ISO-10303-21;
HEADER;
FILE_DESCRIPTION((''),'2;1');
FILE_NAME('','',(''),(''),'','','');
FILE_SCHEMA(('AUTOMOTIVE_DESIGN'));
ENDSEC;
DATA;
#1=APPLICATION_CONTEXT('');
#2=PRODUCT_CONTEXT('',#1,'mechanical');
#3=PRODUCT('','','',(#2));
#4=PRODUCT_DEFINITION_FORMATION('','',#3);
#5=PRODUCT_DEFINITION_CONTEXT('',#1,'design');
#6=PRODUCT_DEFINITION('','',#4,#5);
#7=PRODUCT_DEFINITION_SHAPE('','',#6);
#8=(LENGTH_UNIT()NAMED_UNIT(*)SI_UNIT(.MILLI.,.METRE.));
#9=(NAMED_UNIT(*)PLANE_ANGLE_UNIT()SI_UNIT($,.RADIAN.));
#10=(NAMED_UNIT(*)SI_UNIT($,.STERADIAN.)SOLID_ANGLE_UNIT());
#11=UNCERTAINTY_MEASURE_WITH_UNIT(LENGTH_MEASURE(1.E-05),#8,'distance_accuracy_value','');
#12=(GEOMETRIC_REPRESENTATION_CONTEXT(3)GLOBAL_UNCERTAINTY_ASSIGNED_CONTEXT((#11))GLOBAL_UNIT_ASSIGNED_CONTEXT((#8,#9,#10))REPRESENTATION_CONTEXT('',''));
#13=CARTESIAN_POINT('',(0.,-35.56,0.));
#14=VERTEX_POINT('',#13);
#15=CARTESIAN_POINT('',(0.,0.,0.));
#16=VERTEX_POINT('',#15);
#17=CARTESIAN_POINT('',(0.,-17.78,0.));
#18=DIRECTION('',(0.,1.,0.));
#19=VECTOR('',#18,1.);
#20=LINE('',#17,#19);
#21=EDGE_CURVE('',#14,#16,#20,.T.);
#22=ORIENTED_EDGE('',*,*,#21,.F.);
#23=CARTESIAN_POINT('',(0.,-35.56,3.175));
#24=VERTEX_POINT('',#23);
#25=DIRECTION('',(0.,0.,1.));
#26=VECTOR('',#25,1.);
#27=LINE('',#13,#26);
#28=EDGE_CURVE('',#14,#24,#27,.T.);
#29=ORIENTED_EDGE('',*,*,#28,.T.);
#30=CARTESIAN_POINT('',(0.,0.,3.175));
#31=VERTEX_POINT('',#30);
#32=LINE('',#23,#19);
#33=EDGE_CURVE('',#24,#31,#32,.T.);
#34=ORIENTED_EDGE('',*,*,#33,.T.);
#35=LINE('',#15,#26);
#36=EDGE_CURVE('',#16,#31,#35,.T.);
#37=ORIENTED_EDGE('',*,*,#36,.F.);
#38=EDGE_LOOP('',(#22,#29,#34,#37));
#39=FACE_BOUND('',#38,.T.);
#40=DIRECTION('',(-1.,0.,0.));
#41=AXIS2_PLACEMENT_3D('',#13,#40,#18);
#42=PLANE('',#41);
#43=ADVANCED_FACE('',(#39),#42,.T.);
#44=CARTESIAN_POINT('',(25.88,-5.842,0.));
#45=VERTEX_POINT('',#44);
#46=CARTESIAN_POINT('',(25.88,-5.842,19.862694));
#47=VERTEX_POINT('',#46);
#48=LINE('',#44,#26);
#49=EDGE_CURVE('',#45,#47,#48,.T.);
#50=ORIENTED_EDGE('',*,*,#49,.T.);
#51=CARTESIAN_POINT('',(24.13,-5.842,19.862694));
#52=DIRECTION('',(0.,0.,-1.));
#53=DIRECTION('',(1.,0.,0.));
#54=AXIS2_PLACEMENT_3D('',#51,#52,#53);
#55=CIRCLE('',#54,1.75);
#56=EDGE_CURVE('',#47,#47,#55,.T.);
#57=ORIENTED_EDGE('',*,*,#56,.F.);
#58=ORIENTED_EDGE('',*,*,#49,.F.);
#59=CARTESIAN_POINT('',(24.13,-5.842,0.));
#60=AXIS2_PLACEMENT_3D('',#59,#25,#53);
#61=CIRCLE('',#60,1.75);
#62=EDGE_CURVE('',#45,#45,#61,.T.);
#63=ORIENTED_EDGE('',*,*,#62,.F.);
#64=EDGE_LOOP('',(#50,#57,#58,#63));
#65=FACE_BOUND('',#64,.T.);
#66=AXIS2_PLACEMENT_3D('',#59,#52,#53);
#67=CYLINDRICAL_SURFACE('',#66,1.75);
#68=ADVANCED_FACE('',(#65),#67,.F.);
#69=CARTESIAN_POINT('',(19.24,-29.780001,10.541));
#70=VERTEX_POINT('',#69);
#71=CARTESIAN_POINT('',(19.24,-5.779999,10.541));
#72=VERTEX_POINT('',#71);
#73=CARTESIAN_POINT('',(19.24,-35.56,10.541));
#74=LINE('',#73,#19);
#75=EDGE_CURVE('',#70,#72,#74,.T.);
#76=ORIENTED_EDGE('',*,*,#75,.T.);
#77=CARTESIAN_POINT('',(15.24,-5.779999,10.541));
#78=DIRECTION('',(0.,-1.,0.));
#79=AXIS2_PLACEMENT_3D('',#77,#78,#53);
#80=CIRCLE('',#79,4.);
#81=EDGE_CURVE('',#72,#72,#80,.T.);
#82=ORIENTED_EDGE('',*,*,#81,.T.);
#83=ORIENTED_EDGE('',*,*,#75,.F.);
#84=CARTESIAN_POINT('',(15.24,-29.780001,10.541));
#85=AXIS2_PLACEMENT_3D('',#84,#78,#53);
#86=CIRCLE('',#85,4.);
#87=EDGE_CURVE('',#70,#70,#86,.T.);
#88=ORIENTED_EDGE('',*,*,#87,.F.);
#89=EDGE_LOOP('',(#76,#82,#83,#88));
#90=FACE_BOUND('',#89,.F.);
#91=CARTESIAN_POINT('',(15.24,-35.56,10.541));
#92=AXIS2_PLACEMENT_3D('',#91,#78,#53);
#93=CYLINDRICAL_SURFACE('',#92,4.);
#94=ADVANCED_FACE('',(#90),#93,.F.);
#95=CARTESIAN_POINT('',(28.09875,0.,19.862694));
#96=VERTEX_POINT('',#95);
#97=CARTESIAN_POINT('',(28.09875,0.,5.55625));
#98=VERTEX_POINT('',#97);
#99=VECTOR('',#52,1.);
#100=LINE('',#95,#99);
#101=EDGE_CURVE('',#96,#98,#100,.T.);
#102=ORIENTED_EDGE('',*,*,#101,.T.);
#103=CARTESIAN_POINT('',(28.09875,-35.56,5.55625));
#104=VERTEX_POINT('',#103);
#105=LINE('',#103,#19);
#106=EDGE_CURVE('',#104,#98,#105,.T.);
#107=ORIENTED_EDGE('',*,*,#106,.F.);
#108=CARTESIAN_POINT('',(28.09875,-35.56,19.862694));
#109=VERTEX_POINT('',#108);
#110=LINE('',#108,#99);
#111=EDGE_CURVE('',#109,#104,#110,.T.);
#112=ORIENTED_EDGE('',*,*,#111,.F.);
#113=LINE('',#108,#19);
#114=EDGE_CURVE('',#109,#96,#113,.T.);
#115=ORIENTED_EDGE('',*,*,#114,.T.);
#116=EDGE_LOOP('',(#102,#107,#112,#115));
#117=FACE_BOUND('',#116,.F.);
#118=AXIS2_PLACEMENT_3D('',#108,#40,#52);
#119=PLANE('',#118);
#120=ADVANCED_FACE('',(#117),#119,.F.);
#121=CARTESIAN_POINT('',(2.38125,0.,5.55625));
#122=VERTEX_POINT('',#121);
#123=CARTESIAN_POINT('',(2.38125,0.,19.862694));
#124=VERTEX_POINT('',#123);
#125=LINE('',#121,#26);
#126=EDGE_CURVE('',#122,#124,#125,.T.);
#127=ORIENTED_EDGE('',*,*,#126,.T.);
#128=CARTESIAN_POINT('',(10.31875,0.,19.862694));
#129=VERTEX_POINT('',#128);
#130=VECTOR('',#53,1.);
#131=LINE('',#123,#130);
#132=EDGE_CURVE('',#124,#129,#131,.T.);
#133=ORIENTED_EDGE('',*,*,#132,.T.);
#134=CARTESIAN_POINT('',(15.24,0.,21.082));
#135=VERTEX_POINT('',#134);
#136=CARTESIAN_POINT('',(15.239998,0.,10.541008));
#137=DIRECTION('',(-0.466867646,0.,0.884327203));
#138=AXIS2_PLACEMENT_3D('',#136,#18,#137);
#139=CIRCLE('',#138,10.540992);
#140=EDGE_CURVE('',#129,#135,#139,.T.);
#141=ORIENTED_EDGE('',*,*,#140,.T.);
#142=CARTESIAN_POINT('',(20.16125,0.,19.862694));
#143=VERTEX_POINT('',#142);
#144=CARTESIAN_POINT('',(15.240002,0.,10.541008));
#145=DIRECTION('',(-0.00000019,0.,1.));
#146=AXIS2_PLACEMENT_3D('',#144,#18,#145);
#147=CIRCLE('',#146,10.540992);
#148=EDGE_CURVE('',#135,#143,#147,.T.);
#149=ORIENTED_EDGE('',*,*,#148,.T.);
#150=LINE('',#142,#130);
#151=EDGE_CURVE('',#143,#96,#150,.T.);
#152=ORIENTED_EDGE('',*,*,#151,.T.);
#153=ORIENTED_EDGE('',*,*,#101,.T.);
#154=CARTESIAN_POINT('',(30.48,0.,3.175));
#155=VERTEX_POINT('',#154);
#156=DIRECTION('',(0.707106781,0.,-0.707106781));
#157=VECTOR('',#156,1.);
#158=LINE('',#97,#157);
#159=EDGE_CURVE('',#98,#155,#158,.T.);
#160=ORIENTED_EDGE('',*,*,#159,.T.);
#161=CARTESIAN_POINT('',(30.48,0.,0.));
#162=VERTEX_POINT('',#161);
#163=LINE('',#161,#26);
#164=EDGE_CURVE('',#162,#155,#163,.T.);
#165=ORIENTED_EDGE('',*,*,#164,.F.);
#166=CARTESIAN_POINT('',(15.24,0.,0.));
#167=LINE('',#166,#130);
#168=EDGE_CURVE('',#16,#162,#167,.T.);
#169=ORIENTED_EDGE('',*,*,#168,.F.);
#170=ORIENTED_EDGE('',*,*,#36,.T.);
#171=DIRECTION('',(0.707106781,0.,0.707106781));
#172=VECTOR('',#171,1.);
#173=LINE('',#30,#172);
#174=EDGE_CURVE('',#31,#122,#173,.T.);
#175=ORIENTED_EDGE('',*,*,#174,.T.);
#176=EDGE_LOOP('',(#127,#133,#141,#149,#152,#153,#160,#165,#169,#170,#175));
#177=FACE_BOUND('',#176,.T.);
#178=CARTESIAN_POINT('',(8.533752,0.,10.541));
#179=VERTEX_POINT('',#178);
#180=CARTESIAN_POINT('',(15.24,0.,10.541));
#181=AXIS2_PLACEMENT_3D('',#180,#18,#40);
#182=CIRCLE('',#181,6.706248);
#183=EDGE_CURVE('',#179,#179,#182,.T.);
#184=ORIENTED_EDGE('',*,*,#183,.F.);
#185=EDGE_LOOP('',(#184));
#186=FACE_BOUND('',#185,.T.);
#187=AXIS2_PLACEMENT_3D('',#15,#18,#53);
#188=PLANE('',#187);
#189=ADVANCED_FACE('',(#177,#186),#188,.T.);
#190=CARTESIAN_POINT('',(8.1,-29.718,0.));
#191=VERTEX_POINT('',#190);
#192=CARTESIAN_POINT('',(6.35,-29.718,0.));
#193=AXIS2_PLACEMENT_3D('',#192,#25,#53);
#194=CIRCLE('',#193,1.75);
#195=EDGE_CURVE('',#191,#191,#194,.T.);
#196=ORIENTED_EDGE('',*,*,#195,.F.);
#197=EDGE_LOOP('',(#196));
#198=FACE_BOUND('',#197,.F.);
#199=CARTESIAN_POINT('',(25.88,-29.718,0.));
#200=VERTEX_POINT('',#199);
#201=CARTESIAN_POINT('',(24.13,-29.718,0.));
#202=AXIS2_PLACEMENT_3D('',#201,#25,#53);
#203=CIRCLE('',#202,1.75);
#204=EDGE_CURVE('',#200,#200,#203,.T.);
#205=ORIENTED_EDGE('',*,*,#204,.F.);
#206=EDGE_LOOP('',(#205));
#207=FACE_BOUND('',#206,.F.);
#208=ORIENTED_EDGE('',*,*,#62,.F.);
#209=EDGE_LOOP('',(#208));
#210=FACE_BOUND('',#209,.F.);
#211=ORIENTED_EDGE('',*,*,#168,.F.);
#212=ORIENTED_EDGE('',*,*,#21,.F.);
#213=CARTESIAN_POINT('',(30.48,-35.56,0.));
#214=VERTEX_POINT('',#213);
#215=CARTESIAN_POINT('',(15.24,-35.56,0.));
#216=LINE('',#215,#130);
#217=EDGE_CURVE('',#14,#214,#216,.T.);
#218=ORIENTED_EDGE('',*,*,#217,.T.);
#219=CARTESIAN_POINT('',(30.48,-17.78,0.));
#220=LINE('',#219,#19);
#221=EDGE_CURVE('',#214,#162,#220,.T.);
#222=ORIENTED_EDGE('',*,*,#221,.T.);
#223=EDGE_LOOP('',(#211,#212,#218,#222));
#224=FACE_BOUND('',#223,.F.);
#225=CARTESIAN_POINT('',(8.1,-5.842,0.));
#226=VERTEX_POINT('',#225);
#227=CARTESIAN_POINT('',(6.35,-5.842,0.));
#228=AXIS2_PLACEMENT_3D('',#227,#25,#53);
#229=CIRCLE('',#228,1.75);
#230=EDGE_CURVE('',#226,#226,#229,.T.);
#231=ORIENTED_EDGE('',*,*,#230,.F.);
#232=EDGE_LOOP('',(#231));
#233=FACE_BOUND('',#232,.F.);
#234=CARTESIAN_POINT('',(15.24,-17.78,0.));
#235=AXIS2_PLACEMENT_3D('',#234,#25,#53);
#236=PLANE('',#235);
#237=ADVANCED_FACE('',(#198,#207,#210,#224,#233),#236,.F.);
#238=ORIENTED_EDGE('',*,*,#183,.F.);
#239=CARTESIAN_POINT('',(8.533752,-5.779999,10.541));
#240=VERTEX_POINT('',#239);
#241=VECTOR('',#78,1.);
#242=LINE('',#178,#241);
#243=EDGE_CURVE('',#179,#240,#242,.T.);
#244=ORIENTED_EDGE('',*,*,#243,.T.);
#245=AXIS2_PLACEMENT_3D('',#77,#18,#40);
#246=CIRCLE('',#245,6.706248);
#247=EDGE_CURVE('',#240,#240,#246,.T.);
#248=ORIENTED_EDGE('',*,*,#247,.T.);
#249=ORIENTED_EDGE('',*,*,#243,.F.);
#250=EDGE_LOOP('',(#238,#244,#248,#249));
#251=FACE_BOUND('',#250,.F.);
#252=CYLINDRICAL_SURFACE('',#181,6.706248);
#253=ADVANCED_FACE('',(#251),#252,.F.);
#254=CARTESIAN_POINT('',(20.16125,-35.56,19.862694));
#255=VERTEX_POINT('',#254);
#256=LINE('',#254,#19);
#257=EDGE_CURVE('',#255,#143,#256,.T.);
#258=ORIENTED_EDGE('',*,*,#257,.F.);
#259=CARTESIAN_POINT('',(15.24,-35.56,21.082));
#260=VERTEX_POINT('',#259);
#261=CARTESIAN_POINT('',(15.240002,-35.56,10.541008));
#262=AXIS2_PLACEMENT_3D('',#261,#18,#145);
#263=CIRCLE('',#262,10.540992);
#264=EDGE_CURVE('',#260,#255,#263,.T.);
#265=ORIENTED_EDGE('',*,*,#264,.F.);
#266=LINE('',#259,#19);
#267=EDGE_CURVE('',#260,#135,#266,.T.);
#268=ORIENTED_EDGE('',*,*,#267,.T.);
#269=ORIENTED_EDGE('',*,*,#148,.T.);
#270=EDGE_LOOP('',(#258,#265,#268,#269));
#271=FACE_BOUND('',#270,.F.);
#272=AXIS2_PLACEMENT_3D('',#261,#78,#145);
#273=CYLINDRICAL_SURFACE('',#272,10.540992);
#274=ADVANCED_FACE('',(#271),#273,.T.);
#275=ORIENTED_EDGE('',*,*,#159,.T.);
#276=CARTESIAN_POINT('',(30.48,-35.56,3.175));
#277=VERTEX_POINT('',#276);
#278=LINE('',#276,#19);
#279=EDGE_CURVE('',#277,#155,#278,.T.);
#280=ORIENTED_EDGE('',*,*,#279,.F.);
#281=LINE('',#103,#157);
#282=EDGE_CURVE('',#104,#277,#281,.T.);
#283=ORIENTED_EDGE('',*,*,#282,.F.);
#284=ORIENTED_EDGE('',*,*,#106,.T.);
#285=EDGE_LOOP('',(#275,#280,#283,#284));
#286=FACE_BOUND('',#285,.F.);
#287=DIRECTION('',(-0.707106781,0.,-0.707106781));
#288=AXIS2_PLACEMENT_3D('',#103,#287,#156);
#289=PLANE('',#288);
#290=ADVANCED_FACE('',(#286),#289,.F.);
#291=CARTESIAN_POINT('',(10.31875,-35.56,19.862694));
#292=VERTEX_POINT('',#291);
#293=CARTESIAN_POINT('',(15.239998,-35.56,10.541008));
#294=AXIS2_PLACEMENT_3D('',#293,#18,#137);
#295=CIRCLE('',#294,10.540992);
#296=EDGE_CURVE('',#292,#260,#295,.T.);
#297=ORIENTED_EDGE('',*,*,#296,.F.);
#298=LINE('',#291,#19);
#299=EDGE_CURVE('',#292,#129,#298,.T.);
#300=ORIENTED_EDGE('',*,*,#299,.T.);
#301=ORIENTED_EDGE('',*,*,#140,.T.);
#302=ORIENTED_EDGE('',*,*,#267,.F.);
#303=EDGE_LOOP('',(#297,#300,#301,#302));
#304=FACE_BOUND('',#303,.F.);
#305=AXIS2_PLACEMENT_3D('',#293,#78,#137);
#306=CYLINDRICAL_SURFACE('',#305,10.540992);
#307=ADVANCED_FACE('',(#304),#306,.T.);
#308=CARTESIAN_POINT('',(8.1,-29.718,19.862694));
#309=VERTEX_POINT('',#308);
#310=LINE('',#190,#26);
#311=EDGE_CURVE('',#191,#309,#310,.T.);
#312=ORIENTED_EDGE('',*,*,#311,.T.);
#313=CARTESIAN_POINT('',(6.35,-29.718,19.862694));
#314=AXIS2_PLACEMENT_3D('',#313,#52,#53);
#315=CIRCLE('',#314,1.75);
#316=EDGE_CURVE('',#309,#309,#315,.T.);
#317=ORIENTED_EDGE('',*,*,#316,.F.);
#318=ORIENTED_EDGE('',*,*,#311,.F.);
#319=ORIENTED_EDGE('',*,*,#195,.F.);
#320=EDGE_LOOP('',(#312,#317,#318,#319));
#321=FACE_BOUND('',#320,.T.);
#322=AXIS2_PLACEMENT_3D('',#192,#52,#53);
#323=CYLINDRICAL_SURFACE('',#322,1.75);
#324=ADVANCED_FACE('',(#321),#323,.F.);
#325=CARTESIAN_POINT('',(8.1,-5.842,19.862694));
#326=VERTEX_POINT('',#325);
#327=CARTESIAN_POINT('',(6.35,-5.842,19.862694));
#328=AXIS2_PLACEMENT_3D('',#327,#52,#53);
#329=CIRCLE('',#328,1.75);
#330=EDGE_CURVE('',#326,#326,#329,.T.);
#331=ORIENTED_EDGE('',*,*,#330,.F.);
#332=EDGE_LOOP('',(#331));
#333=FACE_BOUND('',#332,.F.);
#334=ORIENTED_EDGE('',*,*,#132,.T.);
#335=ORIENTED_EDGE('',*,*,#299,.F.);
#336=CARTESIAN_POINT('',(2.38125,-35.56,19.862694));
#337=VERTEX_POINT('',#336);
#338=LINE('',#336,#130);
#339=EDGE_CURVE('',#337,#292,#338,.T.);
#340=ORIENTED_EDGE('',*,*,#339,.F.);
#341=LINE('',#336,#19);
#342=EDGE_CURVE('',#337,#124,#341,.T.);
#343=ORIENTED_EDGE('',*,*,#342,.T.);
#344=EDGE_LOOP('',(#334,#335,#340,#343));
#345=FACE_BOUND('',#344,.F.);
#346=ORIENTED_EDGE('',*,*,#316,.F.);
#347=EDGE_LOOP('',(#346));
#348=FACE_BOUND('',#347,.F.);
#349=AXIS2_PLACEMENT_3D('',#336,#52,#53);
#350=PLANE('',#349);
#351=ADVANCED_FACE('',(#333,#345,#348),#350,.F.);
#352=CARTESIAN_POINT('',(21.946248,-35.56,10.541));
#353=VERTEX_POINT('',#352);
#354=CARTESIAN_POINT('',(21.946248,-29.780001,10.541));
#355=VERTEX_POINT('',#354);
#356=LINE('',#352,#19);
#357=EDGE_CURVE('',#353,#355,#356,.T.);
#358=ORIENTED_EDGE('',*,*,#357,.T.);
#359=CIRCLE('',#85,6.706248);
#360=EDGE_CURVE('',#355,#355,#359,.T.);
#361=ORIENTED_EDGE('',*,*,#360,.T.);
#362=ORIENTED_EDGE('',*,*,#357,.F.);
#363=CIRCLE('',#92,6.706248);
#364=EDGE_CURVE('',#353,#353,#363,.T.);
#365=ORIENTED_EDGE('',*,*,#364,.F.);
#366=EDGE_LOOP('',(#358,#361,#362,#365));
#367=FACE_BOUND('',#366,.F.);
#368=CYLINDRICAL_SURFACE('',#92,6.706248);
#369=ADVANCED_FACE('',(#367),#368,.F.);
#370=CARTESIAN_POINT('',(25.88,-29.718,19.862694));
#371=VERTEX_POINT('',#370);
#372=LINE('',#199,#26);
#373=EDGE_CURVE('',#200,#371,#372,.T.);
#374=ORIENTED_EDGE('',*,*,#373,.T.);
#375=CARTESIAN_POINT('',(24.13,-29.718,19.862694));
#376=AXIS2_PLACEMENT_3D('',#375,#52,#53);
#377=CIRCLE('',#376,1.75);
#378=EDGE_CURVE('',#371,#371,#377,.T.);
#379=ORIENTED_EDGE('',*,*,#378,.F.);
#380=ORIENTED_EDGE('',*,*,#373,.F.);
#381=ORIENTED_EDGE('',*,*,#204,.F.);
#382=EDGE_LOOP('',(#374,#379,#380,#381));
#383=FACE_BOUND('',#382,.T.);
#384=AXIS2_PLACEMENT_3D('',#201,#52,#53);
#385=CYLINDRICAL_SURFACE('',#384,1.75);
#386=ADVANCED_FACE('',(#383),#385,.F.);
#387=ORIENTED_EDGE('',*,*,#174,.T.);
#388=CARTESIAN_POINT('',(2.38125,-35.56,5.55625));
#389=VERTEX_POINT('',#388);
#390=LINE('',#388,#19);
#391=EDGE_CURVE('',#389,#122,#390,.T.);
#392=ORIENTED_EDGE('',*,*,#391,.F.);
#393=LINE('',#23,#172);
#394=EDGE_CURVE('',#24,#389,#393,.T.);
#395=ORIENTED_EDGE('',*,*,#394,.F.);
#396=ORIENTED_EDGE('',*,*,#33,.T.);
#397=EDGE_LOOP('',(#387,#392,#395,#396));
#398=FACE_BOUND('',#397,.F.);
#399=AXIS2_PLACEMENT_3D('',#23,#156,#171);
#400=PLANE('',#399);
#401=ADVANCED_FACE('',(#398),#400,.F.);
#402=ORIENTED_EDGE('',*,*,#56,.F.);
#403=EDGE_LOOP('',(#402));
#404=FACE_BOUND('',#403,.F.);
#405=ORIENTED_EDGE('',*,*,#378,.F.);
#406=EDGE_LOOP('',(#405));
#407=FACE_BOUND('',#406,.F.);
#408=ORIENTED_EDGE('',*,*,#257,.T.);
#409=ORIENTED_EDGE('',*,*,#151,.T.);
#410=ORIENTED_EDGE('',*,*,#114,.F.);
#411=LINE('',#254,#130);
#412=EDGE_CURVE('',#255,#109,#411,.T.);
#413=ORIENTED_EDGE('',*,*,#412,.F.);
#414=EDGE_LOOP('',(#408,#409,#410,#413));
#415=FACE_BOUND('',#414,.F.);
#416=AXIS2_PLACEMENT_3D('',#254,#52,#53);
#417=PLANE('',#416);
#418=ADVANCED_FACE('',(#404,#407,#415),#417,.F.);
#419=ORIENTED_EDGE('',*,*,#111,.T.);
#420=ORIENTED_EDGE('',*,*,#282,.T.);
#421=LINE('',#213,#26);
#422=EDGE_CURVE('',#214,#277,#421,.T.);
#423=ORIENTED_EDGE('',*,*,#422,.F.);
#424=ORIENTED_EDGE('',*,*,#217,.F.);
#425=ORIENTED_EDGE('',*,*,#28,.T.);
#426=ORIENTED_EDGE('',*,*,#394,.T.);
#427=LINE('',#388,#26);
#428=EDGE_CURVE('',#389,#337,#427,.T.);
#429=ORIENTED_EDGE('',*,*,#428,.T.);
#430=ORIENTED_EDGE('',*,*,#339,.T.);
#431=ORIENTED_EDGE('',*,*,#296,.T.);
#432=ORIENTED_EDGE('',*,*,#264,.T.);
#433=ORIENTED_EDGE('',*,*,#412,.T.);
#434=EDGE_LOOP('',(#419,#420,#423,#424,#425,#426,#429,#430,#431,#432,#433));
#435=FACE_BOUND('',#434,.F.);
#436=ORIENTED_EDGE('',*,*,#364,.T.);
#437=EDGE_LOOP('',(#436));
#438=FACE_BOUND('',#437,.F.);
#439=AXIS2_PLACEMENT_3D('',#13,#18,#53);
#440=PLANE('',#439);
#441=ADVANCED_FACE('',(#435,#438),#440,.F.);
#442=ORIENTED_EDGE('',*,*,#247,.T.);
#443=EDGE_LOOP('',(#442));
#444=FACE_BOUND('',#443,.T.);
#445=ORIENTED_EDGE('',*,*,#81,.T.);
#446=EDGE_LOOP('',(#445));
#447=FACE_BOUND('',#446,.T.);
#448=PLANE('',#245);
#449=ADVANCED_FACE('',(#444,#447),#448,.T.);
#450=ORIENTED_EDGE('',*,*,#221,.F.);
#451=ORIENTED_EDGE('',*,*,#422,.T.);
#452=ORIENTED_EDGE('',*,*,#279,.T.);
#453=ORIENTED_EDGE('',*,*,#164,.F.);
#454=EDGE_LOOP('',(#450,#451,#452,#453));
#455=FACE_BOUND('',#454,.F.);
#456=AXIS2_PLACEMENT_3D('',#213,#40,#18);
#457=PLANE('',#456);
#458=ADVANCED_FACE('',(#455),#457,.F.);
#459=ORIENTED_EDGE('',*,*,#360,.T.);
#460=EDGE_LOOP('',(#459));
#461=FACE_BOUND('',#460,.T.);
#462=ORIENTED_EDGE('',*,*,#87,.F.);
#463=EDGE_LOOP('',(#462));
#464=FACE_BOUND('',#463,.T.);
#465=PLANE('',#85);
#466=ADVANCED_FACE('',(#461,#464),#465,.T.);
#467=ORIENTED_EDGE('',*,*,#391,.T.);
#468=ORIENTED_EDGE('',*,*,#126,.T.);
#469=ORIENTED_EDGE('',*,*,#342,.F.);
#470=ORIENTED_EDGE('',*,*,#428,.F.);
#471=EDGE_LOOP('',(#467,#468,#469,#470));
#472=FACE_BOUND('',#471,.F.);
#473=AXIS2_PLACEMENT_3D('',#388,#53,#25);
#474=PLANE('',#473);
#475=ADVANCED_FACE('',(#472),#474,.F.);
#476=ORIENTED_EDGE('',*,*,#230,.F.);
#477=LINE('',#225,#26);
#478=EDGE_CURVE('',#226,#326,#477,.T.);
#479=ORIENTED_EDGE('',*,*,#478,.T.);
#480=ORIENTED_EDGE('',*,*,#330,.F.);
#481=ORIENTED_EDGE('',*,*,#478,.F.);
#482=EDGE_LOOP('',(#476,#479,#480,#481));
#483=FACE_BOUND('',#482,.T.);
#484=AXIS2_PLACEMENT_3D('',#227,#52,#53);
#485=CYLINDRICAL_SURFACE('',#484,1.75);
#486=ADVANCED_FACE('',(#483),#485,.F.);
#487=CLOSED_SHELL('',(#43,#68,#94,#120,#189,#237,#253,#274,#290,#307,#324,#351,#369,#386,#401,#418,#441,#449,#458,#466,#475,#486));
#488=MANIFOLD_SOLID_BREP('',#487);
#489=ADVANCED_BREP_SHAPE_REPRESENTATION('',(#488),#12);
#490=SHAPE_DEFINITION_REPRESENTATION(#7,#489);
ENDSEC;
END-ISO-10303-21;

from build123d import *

# Parameters (mm, degrees)
F0_W     = 30.48
F0_H     = 35.56
F0_R     = 1.75
F1_DEPTH = 21.082
F2_R     = 4
F3_DEPTH = 35.56
F4_R     = 6.706248
F5_DEPTH = 5.779999
F6_R     = 6.706248
F7_DEPTH = 5.779999


with BuildPart() as f1:
    # F0 (on Top) → F1 (new body)
    with BuildSketch(Plane.XY):
        with Locations((15.24, -17.78)):
            Rectangle(F0_W, F0_H)
        with Locations((6.35, -29.718)):
            Circle(F0_R, mode=Mode.SUBTRACT)
        with Locations((24.13, -29.718)):
            Circle(F0_R, mode=Mode.SUBTRACT)
        with Locations((6.35, -5.842)):
            Circle(F0_R, mode=Mode.SUBTRACT)
        with Locations((24.13, -5.842)):
            Circle(F0_R, mode=Mode.SUBTRACT)
    extrude(amount=F1_DEPTH)

    # F2 (on face) → F3 (cut, through all)
    with BuildSketch(Plane.XZ.offset(35.56)):
        with Locations((15.24, 10.541)):
            Circle(F2_R)
        with BuildLine():
            ThreePointArc((10.31875, 19.862694), (12.704975, 20.772634), (15.24, 21.082))
            Line((15.24, 21.082), (0, 21.082))
            Line((0, 21.082), (0, 3.175))
            Line((0, 3.175), (2.38125, 5.55625))
            Line((2.38125, 5.55625), (2.38125, 19.862694))
            Line((2.38125, 19.862694), (10.31875, 19.862694))
        make_face()
        with BuildLine():
            ThreePointArc((15.24, 21.082), (17.775025, 20.772634), (20.16125, 19.862694))
            Line((20.16125, 19.862694), (28.09875, 19.862694))
            Line((28.09875, 19.862694), (28.09875, 5.55625))
            Line((28.09875, 5.55625), (30.48, 3.175))
            Line((30.48, 3.175), (30.48, 21.082))
            Line((30.48, 21.082), (15.24, 21.082))
        make_face()
    extrude(amount=-F3_DEPTH, mode=Mode.SUBTRACT)

    # F4 (on face) → F5 (cut)
    with BuildSketch(Plane.XZ.offset(35.56)):
        with Locations((15.24, 10.541)):
            Circle(F4_R)
    extrude(amount=-F5_DEPTH, mode=Mode.SUBTRACT)

    # F6 (on face) → F7 (cut)
    with BuildSketch(Plane(origin=(0, 0, 0), x_dir=(-1, 0, 0), z_dir=(0, 1, 0))):
        with Locations((-15.24, 10.541)):
            Circle(F6_R)
    extrude(amount=-F7_DEPTH, mode=Mode.SUBTRACT)


solid = f1.part
